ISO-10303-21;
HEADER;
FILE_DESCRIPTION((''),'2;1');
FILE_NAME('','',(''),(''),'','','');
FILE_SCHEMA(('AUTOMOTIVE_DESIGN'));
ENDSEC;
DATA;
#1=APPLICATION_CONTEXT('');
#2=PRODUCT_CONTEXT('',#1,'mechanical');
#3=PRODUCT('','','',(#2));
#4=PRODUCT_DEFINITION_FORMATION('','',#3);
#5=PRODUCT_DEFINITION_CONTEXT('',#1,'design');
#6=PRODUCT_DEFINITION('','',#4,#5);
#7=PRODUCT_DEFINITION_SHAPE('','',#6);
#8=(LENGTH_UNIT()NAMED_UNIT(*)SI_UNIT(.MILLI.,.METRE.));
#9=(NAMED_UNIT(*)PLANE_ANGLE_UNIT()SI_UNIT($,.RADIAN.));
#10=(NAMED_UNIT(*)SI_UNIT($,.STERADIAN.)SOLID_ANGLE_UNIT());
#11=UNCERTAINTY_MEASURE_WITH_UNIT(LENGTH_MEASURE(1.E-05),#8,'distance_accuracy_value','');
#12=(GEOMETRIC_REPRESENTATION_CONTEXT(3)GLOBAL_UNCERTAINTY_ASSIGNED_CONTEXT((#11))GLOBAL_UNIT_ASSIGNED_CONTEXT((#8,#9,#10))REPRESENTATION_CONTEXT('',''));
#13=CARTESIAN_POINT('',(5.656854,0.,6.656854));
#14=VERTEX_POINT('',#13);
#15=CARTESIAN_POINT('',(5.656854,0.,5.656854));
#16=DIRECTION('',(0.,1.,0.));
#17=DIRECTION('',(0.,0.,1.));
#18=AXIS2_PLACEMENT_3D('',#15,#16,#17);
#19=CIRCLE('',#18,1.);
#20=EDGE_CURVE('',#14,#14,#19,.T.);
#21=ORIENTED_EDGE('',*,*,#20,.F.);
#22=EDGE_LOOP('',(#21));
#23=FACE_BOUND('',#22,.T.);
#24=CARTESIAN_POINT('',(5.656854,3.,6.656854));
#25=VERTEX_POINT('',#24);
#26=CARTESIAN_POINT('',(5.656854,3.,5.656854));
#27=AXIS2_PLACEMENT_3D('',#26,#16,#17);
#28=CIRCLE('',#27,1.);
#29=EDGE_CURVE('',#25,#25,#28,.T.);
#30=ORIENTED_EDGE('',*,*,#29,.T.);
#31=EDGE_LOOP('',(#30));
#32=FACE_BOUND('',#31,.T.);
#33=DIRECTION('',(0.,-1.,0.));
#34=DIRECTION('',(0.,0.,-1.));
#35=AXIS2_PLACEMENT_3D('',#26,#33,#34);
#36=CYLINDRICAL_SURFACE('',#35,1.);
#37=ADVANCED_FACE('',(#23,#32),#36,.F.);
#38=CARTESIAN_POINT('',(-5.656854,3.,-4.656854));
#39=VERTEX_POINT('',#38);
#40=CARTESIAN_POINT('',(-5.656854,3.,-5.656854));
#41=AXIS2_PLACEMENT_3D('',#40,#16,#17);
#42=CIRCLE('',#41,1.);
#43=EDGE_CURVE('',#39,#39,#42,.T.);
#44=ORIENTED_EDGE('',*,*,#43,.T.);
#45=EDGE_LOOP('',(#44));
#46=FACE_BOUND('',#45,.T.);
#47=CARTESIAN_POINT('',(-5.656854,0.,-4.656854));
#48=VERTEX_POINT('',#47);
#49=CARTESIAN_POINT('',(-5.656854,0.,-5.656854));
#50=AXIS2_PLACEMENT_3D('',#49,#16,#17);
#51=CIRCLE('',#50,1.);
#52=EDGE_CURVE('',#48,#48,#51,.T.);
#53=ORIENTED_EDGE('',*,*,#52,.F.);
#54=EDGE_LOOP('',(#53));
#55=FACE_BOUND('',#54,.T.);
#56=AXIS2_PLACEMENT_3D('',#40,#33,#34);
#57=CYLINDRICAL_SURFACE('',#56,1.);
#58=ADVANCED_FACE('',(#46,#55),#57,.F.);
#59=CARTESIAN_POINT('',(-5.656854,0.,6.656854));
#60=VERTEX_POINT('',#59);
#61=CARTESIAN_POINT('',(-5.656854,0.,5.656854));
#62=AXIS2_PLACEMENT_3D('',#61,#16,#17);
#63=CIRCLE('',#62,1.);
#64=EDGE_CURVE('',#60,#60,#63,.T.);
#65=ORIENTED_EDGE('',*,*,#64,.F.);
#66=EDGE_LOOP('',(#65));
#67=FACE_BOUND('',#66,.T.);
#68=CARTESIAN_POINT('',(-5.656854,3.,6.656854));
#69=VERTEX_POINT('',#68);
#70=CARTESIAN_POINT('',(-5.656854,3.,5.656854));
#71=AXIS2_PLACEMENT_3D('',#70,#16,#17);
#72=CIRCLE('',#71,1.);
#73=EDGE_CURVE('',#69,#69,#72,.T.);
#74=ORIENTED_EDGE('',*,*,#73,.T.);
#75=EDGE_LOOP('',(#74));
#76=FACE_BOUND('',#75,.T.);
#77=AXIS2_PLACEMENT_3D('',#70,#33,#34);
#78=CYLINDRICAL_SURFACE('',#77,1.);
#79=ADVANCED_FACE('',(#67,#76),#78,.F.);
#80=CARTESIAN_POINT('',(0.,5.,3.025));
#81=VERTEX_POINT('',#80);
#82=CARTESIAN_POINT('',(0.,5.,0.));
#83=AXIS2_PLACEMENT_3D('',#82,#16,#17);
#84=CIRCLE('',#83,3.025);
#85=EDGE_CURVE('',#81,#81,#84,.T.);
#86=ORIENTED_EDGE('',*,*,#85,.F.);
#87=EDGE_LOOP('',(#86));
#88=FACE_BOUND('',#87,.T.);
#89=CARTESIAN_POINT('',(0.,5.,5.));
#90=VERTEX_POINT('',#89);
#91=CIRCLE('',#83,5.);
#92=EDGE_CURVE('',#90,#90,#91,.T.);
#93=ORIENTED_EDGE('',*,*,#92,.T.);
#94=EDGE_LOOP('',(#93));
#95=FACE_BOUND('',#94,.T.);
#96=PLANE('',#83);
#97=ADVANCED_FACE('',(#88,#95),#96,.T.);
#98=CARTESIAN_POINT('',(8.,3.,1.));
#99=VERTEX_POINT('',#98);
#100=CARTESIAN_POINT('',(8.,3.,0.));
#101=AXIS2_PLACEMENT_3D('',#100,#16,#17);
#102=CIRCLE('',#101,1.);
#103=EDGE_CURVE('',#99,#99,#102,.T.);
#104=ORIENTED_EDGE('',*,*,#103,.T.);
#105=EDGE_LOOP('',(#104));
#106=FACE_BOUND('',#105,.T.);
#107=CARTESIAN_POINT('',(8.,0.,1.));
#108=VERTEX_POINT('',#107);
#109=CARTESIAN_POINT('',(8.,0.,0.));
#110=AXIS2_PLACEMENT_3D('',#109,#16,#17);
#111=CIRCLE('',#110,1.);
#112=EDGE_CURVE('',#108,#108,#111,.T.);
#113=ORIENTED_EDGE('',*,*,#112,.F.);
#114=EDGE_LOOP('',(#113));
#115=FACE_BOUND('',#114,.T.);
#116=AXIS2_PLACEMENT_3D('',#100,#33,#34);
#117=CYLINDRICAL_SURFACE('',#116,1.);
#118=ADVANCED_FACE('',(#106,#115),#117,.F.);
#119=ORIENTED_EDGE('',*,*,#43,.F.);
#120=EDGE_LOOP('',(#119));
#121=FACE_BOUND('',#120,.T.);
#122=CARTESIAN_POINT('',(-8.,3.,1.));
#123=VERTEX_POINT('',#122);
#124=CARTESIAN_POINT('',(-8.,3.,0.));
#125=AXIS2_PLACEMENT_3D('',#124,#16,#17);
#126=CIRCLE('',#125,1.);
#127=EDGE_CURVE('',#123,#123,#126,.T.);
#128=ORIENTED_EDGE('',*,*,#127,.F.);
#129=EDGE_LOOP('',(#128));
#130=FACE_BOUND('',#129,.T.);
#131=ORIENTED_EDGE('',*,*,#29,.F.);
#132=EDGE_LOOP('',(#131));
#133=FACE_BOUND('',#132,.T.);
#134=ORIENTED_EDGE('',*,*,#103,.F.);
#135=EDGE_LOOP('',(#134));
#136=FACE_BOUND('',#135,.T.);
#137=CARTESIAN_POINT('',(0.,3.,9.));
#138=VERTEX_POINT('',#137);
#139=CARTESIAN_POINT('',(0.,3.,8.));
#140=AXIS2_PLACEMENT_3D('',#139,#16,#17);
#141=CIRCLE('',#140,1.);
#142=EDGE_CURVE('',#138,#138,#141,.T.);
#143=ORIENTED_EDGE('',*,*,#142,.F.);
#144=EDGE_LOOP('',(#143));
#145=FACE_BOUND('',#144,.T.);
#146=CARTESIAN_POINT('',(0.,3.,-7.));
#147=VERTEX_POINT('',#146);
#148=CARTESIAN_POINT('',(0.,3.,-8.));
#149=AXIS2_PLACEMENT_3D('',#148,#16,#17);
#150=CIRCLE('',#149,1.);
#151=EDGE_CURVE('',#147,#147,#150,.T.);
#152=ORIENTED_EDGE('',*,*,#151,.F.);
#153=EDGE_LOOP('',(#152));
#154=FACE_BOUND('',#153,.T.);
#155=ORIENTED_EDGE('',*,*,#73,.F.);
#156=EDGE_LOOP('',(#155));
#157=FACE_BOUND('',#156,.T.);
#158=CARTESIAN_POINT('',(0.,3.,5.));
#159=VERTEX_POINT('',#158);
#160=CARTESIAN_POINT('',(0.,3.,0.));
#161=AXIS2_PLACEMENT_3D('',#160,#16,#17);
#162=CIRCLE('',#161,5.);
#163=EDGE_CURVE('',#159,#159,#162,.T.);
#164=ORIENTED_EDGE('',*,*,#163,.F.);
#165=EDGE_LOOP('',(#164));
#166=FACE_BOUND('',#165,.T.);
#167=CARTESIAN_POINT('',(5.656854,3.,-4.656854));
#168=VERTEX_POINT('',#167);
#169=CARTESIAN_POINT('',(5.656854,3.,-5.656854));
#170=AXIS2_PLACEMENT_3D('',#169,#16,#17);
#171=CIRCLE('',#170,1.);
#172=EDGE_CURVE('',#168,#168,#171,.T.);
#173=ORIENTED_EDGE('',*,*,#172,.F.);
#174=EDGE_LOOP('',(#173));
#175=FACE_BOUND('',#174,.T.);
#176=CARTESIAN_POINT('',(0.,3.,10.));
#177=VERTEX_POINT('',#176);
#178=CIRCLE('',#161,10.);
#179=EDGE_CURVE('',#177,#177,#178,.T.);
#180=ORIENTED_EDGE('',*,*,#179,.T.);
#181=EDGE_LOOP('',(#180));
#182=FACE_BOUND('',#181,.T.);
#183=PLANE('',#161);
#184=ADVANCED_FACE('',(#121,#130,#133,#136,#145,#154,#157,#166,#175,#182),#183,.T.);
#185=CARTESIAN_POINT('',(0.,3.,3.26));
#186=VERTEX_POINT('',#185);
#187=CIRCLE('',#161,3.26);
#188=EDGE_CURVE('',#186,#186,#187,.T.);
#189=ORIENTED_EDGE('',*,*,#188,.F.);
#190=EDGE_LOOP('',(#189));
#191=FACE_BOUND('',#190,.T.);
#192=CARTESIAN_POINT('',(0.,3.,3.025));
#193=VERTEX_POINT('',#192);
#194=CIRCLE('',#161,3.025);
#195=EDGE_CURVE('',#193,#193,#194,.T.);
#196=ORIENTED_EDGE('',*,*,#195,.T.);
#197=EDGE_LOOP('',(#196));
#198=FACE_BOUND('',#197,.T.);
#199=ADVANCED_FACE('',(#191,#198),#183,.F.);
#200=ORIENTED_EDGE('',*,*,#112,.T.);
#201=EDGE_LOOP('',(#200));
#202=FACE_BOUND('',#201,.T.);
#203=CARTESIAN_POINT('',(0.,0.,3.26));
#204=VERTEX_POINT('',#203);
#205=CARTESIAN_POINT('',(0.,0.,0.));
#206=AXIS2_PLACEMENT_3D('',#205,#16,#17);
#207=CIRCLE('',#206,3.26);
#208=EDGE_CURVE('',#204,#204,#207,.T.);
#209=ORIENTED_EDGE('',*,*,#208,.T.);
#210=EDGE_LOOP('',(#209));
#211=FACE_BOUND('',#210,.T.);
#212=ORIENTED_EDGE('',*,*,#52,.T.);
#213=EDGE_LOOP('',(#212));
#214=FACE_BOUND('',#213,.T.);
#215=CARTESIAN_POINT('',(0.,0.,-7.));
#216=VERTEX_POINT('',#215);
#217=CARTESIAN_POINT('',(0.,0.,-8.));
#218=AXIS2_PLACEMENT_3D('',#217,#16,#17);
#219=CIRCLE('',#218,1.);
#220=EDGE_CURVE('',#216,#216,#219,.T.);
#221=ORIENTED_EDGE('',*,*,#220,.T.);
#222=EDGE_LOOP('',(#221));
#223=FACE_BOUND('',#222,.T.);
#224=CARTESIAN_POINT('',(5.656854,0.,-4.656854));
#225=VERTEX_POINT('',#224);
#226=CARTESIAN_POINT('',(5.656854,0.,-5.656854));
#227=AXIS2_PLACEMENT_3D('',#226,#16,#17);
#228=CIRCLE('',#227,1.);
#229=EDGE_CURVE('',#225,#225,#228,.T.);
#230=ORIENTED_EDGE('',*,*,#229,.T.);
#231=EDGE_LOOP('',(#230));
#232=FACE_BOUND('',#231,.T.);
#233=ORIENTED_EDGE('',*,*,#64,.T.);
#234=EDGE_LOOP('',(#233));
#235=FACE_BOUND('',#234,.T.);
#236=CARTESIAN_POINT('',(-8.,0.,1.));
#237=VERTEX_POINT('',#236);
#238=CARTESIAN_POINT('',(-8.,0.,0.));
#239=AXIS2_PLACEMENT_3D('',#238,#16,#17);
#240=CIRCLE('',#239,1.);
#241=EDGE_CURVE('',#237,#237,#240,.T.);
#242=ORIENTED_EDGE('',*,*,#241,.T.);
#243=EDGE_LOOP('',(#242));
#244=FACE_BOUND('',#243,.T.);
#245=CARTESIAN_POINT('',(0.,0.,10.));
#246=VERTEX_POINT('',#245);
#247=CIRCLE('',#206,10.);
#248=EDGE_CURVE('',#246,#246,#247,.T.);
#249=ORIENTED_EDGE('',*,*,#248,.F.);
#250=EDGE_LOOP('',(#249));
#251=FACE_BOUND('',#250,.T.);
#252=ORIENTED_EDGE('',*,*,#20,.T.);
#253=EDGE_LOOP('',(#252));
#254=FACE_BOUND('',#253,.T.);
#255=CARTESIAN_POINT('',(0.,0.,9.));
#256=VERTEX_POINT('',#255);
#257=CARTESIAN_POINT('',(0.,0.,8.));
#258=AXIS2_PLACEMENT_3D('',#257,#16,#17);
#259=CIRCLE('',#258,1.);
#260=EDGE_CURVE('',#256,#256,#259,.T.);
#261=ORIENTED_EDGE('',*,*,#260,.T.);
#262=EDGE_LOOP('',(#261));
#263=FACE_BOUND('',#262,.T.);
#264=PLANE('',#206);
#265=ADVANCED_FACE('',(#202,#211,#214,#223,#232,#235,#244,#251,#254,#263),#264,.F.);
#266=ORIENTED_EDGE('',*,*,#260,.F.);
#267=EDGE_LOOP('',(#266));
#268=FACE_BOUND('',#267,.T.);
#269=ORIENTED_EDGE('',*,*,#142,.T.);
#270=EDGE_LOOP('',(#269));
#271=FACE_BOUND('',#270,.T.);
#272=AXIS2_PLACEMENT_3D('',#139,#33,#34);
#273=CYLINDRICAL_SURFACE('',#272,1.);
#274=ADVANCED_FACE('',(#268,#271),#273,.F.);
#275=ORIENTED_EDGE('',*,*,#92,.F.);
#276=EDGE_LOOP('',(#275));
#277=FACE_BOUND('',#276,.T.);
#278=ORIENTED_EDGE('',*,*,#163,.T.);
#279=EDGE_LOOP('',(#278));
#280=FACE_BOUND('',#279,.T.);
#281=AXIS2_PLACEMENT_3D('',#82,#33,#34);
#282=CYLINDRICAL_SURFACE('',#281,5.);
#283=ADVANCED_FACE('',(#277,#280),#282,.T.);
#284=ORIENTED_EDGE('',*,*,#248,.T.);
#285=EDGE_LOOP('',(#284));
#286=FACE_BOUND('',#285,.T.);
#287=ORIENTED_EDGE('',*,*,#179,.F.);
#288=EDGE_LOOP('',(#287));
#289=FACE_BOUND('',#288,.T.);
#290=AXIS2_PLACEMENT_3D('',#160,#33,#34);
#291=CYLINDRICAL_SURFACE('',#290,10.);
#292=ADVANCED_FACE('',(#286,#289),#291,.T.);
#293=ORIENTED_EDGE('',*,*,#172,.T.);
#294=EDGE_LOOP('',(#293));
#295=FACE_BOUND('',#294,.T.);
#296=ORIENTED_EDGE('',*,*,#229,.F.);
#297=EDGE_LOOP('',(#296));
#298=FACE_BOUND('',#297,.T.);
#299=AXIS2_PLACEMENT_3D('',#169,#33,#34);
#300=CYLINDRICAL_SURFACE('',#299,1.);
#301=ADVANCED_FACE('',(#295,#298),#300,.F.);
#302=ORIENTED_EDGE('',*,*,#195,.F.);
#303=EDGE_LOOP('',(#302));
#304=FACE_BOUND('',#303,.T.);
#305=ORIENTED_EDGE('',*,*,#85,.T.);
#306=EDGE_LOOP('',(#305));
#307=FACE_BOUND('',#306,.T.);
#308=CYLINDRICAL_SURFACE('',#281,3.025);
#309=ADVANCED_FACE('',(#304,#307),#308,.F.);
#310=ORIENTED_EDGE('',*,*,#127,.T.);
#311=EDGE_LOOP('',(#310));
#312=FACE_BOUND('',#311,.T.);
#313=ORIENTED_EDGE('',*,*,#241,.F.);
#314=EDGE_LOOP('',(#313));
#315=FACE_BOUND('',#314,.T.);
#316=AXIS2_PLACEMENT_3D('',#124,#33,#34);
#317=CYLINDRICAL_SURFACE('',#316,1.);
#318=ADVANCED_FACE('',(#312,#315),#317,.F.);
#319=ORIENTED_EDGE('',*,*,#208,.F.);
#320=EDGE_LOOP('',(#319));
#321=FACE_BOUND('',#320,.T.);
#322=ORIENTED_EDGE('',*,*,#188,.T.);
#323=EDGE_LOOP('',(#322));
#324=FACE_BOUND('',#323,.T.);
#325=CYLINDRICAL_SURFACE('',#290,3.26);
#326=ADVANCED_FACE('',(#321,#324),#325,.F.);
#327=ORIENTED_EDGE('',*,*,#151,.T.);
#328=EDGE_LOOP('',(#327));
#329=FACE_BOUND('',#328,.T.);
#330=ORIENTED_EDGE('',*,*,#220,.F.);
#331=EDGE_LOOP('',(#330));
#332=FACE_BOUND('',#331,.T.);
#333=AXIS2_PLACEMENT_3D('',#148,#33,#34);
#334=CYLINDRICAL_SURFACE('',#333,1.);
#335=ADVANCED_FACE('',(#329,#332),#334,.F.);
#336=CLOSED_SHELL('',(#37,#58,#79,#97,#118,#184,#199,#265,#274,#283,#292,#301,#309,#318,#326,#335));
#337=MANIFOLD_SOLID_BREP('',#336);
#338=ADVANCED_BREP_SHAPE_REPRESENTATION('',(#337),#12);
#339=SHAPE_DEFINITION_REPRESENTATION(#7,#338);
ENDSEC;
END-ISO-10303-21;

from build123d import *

# Parameters (mm, degrees)
SKETCH_1_R      = 10
SKETCH_1_R_2    = 3.26
SKETCH_1_R_3    = 1
EXTRUDE_1_DEPTH = 3
SKETCH_2_R      = 5
SKETCH_2_R_2    = 3.025
EXTRUDE_2_DEPTH = 2


with BuildPart() as part:
    # 草图1 → 凸台-拉伸1 (new body)
    with BuildSketch(Plane(origin=(0, 0, 0), x_dir=(1, 0, 0), z_dir=(0, 1, 0))):
        with Locations(Location((0, 0, 0), (0, 0, 270))):
            Circle(SKETCH_1_R)
        with Locations(Location((0, 0, 0), (0, 0, 270))):
            Circle(SKETCH_1_R_2, mode=Mode.SUBTRACT)
        with Locations(Location((0, 8, 0), (0, 0, 270))):
            Circle(SKETCH_1_R_3, mode=Mode.SUBTRACT)
        with Locations(Location((5.656854249, 5.656854249, 0), (0, 0, 270))):
            Circle(SKETCH_1_R_3, mode=Mode.SUBTRACT)
        with Locations(Location((8, 0, 0), (0, 0, 270))):
            Circle(SKETCH_1_R_3, mode=Mode.SUBTRACT)
        with Locations(Location((5.656854249, -5.656854249, 0), (0, 0, 270))):
            Circle(SKETCH_1_R_3, mode=Mode.SUBTRACT)
        with Locations(Location((0, -8, 0), (0, 0, 270))):
            Circle(SKETCH_1_R_3, mode=Mode.SUBTRACT)
        with Locations(Location((-5.656854249, -5.656854249, 0), (0, 0, 270))):
            Circle(SKETCH_1_R_3, mode=Mode.SUBTRACT)
        with Locations(Location((-8, 0, 0), (0, 0, 270))):
            Circle(SKETCH_1_R_3, mode=Mode.SUBTRACT)
        with Locations(Location((-5.656854249, 5.656854249, 0), (0, 0, 270))):
            Circle(SKETCH_1_R_3, mode=Mode.SUBTRACT)
    extrude(amount=EXTRUDE_1_DEPTH)

    # 草图2 → 凸台-拉伸2 (add)
    with BuildSketch(Plane(origin=(0, 3, 0), x_dir=(1, 0, 0), z_dir=(0, 1, 0))):
        with Locations(Location((0, 0, 0), (0, 0, 270))):
            Circle(SKETCH_2_R)
        with Locations(Location((0, 0, 0), (0, 0, 270))):
            Circle(SKETCH_2_R_2, mode=Mode.SUBTRACT)
    extrude(amount=EXTRUDE_2_DEPTH)


solid = part.part
